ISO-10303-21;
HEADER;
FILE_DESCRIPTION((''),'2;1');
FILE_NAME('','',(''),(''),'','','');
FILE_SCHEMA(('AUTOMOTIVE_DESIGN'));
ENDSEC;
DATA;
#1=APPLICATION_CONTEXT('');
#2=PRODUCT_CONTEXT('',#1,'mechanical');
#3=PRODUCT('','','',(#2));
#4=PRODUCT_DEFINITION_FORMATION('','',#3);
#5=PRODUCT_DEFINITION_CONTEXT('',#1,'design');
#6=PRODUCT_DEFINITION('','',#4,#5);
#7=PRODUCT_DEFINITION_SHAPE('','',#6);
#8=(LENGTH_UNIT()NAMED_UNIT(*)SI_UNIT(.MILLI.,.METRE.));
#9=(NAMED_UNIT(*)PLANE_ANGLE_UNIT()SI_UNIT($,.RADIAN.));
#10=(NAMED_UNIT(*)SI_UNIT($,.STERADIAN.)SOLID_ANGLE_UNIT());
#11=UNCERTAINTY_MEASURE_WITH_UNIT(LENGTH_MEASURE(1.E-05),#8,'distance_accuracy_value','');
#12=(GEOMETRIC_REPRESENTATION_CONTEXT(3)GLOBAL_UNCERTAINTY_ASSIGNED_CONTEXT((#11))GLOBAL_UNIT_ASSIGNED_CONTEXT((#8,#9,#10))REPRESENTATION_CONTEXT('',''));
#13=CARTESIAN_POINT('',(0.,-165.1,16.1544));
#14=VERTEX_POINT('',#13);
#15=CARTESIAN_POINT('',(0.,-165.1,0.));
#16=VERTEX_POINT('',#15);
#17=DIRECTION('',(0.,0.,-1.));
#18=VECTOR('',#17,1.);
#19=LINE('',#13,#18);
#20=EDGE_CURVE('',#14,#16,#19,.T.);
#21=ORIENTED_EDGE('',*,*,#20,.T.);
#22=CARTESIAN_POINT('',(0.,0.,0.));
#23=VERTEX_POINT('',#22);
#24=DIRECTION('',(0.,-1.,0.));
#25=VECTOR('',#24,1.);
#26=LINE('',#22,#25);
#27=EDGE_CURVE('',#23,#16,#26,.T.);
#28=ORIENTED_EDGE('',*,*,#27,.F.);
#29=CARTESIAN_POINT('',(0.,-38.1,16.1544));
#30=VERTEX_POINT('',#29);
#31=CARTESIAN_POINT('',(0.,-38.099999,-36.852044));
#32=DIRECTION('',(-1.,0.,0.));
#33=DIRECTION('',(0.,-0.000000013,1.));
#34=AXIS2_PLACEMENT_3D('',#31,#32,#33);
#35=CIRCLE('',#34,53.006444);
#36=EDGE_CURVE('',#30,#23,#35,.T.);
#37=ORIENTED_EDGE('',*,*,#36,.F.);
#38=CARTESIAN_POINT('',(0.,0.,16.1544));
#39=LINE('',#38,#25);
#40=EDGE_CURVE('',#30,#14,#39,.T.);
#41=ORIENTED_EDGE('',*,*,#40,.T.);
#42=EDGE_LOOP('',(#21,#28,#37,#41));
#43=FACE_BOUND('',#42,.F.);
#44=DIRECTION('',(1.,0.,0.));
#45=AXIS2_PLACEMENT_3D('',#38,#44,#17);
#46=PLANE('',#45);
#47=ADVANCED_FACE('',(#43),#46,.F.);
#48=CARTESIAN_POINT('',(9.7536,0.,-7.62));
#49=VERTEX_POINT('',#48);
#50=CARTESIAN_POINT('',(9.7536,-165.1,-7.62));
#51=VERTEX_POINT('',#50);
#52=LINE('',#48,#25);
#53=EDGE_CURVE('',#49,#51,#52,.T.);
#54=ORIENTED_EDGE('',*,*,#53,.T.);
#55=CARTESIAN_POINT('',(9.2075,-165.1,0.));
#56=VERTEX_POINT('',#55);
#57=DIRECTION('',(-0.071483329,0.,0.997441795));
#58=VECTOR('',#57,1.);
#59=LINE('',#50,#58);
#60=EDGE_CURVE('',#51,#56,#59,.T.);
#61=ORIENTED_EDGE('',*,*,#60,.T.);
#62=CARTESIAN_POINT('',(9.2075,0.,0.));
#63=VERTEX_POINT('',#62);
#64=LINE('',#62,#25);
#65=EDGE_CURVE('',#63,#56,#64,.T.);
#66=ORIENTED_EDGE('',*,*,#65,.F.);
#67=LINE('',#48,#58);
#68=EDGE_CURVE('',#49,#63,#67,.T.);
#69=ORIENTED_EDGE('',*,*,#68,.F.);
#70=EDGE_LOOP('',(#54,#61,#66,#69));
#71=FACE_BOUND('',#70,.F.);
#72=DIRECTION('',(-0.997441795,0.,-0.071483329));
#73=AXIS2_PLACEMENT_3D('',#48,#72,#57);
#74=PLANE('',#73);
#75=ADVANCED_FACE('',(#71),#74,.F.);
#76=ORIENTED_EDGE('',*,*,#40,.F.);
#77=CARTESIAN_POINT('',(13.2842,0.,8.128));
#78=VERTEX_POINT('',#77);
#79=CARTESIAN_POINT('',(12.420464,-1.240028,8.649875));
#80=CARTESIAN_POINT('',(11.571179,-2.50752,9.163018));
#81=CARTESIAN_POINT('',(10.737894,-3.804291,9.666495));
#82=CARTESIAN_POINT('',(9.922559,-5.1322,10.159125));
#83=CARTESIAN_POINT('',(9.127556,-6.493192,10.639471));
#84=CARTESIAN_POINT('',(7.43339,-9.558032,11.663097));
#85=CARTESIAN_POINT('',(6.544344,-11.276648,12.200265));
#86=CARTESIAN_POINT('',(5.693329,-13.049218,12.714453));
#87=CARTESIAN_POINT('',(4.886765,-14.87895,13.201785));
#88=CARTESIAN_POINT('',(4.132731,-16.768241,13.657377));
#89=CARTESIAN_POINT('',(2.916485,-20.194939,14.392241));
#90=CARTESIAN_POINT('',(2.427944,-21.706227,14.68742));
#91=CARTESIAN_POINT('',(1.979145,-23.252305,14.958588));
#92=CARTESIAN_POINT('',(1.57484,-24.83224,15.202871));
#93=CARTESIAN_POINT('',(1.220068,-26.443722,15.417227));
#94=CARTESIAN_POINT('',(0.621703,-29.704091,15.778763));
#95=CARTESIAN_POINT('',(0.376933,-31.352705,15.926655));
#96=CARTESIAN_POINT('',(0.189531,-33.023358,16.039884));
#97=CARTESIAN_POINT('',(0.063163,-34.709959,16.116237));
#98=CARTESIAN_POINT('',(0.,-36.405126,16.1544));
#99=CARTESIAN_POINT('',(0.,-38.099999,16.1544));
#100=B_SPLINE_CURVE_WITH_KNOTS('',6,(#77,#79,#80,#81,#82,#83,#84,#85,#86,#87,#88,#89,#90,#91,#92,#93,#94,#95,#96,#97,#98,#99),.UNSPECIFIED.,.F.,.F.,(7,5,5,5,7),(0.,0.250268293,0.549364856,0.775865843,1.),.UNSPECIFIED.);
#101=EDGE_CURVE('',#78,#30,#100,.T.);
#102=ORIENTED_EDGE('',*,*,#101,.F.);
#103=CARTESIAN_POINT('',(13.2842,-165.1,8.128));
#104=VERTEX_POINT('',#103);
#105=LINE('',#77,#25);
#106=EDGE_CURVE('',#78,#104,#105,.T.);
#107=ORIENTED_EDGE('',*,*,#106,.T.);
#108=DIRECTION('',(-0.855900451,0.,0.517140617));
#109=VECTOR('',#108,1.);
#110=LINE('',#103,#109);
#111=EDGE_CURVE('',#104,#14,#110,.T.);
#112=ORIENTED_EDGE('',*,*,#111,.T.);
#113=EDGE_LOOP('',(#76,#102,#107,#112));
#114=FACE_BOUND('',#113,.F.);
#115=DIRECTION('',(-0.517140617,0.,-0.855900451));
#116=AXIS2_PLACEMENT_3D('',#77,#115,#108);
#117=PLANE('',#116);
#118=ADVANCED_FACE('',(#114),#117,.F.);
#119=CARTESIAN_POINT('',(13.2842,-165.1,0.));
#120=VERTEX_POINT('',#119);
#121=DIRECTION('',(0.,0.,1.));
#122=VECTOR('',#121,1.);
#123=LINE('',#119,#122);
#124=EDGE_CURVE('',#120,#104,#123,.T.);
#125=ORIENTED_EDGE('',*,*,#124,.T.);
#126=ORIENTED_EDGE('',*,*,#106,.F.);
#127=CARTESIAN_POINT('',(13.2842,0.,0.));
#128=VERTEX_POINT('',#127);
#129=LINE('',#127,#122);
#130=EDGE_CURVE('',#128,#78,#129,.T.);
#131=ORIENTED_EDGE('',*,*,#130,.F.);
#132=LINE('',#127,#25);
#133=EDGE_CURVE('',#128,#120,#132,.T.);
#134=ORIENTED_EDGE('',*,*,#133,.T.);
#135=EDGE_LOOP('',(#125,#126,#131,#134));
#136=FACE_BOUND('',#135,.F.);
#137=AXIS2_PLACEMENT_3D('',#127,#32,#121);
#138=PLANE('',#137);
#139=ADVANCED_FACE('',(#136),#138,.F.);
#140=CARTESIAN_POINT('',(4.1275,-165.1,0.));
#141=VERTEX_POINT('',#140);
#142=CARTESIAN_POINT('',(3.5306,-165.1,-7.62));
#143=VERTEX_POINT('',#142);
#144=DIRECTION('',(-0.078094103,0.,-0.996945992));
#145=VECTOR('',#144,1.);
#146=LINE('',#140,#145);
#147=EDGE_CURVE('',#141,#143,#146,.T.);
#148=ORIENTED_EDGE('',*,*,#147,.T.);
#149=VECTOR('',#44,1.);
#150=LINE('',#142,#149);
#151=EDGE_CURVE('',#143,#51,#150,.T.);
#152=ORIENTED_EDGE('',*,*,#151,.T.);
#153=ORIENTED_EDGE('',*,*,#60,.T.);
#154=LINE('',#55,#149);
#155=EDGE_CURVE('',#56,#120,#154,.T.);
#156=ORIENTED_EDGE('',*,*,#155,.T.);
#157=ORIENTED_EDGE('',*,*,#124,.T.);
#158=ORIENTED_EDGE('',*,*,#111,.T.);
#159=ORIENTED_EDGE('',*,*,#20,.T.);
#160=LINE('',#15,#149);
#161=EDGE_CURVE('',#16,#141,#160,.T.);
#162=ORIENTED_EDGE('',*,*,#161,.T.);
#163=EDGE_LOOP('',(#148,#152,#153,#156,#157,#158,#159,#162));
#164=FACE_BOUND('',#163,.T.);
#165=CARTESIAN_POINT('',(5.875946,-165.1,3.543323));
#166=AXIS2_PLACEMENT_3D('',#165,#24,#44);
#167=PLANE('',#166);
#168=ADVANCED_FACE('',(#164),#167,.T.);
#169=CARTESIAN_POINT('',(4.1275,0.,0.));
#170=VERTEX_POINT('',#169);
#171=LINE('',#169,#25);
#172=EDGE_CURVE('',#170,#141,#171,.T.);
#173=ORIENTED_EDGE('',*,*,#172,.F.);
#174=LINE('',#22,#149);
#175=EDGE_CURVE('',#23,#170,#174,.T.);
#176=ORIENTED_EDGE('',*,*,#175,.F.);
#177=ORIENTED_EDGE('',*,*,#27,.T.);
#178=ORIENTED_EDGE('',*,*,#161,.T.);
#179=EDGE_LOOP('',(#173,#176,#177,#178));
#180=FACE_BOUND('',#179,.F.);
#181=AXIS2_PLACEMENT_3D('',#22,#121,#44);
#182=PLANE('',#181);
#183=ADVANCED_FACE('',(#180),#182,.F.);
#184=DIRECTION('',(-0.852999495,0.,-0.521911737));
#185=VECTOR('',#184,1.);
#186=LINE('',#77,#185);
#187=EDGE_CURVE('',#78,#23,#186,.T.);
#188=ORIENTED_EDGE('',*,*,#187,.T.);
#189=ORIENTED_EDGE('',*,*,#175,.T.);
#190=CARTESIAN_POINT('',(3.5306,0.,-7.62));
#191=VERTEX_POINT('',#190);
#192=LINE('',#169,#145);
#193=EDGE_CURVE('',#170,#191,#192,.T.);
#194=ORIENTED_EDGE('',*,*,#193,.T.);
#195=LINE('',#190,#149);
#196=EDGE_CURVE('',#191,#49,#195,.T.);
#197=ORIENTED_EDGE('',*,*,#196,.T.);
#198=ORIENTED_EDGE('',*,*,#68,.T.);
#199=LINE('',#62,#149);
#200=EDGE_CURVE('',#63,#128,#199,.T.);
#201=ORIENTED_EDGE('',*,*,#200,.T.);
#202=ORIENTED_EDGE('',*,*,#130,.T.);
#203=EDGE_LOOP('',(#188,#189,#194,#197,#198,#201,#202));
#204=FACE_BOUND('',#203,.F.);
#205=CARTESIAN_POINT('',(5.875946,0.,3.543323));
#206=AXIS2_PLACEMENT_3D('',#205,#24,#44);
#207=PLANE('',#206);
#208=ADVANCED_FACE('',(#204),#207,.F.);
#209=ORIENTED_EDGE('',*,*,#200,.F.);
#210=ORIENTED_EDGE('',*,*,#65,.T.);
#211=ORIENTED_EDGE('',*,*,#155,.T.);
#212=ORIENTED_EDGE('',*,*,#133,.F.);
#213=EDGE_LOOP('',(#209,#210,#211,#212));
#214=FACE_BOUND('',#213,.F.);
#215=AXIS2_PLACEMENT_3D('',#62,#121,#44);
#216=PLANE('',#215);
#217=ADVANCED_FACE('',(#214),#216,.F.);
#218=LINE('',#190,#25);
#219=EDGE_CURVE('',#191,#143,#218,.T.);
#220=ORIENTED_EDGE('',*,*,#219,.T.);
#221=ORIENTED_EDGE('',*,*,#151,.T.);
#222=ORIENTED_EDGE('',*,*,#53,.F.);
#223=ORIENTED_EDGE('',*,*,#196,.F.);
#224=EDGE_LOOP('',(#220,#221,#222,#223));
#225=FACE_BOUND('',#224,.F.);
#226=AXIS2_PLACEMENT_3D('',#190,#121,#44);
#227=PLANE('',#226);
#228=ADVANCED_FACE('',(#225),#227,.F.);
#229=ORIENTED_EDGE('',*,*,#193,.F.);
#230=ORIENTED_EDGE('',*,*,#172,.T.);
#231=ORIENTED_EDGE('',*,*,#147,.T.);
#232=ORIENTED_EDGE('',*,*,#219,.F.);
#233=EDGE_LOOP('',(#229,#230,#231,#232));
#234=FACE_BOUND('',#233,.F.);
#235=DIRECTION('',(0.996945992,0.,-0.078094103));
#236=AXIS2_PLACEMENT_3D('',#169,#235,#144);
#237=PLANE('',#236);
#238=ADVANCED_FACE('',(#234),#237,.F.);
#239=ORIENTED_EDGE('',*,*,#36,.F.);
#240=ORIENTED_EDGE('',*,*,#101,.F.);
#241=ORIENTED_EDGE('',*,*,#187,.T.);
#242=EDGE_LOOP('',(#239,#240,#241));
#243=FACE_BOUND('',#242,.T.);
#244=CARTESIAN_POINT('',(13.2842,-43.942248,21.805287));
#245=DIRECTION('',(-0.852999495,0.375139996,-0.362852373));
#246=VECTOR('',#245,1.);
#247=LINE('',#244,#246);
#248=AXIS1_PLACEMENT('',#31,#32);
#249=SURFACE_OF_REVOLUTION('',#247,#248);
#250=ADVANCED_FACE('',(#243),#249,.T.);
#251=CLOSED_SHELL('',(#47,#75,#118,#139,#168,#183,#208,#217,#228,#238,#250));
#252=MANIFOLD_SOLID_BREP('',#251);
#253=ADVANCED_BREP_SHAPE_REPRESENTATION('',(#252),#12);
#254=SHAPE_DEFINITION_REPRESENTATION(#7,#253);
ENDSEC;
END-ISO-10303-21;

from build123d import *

# Parameters (mm, degrees)
F1_DEPTH = 165.1


with BuildPart() as f1:
    # F0 (on Front) → F1 (new body)
    with BuildSketch(Plane.XZ):
        Polygon((0, 0), (4.1275, 0), (3.5306, -7.62), (9.7536, -7.62), (9.2075, 0), (13.2842, 0), (13.2842, 8.128), (0, 16.1544), align=None)
    extrude(amount=F1_DEPTH)

    # F4: sweep along a path in F3
    with BuildLine(Plane(origin=(0, 0, 0), x_dir=(0, -1, 0), z_dir=(-1, 0, 0))) as f4_path:
        ThreePointArc((38.1, 16.1544), (17.408367, 11.948975), (0, 0))
    # F2 (on face) → F4 (sweep, cut)
    with BuildSketch(Plane(origin=(0, 0, 0), x_dir=(-1, 0, 0), z_dir=(0, 1, 0))):
        Polygon((0, 0), (0, 16.1544), (-13.2842, 8.128), align=None)
    sweep(path=f4_path.line, mode=Mode.SUBTRACT)


solid = f1.part
